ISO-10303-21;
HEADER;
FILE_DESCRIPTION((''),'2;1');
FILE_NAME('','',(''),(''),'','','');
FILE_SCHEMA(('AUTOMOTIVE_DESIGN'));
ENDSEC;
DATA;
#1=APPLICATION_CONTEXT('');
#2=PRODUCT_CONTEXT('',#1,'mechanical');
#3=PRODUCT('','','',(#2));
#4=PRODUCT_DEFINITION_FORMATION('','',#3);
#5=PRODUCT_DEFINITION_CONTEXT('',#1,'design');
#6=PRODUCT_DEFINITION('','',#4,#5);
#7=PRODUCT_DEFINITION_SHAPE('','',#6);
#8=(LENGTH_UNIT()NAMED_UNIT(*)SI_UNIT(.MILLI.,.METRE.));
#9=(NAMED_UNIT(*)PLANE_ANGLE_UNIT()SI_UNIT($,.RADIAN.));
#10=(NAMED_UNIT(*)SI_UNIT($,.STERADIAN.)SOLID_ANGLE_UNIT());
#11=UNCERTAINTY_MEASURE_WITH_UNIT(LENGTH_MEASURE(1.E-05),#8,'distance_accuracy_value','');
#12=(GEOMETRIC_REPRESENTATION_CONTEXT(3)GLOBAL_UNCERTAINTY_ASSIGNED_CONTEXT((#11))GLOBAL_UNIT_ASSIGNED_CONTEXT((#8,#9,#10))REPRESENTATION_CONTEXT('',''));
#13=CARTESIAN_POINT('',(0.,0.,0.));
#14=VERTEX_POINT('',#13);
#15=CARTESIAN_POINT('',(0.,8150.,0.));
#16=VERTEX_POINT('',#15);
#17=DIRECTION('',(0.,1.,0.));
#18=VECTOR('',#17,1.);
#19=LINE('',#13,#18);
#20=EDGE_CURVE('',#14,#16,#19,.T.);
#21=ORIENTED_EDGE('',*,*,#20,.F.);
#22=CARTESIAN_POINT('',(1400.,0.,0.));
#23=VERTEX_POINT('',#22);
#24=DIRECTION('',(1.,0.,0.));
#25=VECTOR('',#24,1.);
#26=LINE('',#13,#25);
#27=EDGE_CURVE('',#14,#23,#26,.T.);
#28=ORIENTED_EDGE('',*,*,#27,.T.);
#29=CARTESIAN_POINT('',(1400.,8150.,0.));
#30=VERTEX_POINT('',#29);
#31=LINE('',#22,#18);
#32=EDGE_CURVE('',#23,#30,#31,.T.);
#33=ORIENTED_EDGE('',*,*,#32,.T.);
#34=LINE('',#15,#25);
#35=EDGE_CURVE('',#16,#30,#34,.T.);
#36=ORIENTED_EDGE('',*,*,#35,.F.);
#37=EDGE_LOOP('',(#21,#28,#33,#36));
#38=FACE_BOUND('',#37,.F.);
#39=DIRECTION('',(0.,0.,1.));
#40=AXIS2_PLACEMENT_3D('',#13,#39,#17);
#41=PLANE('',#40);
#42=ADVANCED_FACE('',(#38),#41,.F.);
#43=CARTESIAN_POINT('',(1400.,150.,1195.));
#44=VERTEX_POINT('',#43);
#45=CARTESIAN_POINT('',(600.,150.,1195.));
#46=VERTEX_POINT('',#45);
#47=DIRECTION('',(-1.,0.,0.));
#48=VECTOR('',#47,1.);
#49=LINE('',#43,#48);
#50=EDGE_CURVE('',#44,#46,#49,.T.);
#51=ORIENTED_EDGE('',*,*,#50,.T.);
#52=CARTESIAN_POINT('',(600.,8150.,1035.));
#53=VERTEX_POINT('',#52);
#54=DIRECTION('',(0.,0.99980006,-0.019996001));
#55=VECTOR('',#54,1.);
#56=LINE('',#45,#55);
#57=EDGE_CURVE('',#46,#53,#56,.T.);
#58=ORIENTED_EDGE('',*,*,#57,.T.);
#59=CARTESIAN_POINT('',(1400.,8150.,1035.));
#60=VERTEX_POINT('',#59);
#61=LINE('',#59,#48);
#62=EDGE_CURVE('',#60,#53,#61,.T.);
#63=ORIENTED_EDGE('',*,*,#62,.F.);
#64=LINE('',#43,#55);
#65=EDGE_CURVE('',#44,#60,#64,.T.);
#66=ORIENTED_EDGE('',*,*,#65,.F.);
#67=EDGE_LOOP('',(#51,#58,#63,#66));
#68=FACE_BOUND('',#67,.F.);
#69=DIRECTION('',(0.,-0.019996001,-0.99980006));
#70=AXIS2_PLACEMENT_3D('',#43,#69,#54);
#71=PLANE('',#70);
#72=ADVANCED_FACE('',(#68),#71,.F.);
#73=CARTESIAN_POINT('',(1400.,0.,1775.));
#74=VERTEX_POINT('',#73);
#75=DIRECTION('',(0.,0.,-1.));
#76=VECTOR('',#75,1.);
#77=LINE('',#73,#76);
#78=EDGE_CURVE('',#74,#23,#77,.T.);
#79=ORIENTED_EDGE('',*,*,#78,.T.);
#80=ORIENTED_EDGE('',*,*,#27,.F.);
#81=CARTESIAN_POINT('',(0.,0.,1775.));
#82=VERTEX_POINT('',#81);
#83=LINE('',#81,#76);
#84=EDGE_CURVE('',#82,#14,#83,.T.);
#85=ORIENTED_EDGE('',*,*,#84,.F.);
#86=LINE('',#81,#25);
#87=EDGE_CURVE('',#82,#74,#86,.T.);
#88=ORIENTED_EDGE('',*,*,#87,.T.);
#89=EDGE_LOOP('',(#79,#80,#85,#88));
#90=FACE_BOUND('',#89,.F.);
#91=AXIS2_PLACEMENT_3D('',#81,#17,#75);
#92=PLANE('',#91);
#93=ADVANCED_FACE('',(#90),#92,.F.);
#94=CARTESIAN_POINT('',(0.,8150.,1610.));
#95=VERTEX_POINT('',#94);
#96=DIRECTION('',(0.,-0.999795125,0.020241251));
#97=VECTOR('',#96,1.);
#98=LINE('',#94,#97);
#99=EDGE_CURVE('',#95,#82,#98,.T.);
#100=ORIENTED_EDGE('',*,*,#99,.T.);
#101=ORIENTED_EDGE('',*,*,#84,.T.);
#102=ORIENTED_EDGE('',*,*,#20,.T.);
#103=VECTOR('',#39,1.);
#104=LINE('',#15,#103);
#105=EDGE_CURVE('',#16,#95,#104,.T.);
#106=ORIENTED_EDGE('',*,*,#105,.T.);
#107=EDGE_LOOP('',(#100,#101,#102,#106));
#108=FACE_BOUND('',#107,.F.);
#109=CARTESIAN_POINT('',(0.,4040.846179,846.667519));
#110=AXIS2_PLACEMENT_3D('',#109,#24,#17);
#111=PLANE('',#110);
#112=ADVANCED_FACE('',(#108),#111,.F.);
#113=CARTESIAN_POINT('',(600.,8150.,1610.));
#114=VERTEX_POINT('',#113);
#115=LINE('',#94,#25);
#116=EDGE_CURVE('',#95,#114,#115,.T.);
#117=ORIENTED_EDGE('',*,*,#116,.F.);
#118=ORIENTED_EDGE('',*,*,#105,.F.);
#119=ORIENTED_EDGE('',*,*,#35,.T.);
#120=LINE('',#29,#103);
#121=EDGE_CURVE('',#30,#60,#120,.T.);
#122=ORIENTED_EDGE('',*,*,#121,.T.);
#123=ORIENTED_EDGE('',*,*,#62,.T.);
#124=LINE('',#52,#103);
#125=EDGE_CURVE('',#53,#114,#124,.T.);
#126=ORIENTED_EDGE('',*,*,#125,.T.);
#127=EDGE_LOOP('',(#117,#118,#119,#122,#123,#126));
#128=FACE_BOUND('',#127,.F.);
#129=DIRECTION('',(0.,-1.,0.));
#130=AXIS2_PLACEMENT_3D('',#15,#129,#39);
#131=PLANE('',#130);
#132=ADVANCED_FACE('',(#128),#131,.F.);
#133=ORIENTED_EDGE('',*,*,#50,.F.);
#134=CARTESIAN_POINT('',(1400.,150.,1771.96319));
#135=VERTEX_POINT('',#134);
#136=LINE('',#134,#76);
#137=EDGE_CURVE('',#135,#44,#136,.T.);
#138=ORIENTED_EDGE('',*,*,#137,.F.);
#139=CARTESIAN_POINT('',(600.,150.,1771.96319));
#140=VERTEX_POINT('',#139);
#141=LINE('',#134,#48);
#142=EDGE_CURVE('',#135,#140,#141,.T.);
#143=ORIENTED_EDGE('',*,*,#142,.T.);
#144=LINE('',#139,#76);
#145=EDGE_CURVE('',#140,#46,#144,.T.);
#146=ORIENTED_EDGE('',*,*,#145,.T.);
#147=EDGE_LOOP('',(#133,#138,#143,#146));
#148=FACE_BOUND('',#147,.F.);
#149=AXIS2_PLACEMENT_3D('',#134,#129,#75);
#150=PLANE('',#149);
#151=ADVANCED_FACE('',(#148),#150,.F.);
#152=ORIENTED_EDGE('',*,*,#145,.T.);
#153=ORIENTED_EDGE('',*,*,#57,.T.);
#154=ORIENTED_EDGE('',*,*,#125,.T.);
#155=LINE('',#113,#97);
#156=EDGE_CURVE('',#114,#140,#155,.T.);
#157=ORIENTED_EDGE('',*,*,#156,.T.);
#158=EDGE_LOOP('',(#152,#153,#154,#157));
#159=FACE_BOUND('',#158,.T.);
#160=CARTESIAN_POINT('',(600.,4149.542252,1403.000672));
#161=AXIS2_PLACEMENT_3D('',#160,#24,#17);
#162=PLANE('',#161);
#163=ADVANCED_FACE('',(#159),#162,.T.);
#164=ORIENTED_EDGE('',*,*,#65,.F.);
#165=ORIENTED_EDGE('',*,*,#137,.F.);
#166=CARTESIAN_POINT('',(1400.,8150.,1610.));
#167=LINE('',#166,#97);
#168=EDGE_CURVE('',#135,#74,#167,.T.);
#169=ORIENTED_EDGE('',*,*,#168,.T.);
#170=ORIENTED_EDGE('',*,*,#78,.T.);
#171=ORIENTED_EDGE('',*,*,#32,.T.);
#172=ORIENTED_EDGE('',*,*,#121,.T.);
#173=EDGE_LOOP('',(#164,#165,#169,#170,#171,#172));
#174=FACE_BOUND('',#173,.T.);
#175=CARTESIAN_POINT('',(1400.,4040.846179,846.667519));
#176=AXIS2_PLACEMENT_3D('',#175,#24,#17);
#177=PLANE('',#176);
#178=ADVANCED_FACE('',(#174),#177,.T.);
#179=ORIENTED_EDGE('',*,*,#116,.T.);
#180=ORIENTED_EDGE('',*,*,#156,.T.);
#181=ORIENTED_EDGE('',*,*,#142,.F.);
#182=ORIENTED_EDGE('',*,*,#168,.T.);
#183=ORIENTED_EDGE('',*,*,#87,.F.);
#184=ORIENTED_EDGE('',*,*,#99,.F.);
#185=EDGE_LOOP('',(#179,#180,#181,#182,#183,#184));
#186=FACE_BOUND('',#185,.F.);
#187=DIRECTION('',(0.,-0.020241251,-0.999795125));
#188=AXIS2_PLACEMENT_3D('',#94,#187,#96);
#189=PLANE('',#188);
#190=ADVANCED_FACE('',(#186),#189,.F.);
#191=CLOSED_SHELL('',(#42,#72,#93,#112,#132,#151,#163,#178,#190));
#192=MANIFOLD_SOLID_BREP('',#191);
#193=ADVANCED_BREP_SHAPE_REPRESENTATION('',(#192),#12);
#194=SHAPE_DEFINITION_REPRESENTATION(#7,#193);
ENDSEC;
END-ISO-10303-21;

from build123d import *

# Parameters (mm, degrees)
F1_DEPTH = 1400
F3_DEPTH = 800


with BuildPart() as f1:
    # F0 (on Right) → F1 (new body)
    with BuildSketch(Plane.YZ):
        Polygon((0, 0), (8150, 0), (8150, 1610), (0, 1775), align=None)
    extrude(amount=F1_DEPTH)

    # F2 (on face) → F3 (cut)
    with BuildSketch(Plane.YZ.offset(1400)):
        Polygon((8150, 1035), (8150, 1610), (150, 1771.96319), (150, 1195), align=None)
    extrude(amount=-F3_DEPTH, mode=Mode.SUBTRACT)


solid = f1.part
